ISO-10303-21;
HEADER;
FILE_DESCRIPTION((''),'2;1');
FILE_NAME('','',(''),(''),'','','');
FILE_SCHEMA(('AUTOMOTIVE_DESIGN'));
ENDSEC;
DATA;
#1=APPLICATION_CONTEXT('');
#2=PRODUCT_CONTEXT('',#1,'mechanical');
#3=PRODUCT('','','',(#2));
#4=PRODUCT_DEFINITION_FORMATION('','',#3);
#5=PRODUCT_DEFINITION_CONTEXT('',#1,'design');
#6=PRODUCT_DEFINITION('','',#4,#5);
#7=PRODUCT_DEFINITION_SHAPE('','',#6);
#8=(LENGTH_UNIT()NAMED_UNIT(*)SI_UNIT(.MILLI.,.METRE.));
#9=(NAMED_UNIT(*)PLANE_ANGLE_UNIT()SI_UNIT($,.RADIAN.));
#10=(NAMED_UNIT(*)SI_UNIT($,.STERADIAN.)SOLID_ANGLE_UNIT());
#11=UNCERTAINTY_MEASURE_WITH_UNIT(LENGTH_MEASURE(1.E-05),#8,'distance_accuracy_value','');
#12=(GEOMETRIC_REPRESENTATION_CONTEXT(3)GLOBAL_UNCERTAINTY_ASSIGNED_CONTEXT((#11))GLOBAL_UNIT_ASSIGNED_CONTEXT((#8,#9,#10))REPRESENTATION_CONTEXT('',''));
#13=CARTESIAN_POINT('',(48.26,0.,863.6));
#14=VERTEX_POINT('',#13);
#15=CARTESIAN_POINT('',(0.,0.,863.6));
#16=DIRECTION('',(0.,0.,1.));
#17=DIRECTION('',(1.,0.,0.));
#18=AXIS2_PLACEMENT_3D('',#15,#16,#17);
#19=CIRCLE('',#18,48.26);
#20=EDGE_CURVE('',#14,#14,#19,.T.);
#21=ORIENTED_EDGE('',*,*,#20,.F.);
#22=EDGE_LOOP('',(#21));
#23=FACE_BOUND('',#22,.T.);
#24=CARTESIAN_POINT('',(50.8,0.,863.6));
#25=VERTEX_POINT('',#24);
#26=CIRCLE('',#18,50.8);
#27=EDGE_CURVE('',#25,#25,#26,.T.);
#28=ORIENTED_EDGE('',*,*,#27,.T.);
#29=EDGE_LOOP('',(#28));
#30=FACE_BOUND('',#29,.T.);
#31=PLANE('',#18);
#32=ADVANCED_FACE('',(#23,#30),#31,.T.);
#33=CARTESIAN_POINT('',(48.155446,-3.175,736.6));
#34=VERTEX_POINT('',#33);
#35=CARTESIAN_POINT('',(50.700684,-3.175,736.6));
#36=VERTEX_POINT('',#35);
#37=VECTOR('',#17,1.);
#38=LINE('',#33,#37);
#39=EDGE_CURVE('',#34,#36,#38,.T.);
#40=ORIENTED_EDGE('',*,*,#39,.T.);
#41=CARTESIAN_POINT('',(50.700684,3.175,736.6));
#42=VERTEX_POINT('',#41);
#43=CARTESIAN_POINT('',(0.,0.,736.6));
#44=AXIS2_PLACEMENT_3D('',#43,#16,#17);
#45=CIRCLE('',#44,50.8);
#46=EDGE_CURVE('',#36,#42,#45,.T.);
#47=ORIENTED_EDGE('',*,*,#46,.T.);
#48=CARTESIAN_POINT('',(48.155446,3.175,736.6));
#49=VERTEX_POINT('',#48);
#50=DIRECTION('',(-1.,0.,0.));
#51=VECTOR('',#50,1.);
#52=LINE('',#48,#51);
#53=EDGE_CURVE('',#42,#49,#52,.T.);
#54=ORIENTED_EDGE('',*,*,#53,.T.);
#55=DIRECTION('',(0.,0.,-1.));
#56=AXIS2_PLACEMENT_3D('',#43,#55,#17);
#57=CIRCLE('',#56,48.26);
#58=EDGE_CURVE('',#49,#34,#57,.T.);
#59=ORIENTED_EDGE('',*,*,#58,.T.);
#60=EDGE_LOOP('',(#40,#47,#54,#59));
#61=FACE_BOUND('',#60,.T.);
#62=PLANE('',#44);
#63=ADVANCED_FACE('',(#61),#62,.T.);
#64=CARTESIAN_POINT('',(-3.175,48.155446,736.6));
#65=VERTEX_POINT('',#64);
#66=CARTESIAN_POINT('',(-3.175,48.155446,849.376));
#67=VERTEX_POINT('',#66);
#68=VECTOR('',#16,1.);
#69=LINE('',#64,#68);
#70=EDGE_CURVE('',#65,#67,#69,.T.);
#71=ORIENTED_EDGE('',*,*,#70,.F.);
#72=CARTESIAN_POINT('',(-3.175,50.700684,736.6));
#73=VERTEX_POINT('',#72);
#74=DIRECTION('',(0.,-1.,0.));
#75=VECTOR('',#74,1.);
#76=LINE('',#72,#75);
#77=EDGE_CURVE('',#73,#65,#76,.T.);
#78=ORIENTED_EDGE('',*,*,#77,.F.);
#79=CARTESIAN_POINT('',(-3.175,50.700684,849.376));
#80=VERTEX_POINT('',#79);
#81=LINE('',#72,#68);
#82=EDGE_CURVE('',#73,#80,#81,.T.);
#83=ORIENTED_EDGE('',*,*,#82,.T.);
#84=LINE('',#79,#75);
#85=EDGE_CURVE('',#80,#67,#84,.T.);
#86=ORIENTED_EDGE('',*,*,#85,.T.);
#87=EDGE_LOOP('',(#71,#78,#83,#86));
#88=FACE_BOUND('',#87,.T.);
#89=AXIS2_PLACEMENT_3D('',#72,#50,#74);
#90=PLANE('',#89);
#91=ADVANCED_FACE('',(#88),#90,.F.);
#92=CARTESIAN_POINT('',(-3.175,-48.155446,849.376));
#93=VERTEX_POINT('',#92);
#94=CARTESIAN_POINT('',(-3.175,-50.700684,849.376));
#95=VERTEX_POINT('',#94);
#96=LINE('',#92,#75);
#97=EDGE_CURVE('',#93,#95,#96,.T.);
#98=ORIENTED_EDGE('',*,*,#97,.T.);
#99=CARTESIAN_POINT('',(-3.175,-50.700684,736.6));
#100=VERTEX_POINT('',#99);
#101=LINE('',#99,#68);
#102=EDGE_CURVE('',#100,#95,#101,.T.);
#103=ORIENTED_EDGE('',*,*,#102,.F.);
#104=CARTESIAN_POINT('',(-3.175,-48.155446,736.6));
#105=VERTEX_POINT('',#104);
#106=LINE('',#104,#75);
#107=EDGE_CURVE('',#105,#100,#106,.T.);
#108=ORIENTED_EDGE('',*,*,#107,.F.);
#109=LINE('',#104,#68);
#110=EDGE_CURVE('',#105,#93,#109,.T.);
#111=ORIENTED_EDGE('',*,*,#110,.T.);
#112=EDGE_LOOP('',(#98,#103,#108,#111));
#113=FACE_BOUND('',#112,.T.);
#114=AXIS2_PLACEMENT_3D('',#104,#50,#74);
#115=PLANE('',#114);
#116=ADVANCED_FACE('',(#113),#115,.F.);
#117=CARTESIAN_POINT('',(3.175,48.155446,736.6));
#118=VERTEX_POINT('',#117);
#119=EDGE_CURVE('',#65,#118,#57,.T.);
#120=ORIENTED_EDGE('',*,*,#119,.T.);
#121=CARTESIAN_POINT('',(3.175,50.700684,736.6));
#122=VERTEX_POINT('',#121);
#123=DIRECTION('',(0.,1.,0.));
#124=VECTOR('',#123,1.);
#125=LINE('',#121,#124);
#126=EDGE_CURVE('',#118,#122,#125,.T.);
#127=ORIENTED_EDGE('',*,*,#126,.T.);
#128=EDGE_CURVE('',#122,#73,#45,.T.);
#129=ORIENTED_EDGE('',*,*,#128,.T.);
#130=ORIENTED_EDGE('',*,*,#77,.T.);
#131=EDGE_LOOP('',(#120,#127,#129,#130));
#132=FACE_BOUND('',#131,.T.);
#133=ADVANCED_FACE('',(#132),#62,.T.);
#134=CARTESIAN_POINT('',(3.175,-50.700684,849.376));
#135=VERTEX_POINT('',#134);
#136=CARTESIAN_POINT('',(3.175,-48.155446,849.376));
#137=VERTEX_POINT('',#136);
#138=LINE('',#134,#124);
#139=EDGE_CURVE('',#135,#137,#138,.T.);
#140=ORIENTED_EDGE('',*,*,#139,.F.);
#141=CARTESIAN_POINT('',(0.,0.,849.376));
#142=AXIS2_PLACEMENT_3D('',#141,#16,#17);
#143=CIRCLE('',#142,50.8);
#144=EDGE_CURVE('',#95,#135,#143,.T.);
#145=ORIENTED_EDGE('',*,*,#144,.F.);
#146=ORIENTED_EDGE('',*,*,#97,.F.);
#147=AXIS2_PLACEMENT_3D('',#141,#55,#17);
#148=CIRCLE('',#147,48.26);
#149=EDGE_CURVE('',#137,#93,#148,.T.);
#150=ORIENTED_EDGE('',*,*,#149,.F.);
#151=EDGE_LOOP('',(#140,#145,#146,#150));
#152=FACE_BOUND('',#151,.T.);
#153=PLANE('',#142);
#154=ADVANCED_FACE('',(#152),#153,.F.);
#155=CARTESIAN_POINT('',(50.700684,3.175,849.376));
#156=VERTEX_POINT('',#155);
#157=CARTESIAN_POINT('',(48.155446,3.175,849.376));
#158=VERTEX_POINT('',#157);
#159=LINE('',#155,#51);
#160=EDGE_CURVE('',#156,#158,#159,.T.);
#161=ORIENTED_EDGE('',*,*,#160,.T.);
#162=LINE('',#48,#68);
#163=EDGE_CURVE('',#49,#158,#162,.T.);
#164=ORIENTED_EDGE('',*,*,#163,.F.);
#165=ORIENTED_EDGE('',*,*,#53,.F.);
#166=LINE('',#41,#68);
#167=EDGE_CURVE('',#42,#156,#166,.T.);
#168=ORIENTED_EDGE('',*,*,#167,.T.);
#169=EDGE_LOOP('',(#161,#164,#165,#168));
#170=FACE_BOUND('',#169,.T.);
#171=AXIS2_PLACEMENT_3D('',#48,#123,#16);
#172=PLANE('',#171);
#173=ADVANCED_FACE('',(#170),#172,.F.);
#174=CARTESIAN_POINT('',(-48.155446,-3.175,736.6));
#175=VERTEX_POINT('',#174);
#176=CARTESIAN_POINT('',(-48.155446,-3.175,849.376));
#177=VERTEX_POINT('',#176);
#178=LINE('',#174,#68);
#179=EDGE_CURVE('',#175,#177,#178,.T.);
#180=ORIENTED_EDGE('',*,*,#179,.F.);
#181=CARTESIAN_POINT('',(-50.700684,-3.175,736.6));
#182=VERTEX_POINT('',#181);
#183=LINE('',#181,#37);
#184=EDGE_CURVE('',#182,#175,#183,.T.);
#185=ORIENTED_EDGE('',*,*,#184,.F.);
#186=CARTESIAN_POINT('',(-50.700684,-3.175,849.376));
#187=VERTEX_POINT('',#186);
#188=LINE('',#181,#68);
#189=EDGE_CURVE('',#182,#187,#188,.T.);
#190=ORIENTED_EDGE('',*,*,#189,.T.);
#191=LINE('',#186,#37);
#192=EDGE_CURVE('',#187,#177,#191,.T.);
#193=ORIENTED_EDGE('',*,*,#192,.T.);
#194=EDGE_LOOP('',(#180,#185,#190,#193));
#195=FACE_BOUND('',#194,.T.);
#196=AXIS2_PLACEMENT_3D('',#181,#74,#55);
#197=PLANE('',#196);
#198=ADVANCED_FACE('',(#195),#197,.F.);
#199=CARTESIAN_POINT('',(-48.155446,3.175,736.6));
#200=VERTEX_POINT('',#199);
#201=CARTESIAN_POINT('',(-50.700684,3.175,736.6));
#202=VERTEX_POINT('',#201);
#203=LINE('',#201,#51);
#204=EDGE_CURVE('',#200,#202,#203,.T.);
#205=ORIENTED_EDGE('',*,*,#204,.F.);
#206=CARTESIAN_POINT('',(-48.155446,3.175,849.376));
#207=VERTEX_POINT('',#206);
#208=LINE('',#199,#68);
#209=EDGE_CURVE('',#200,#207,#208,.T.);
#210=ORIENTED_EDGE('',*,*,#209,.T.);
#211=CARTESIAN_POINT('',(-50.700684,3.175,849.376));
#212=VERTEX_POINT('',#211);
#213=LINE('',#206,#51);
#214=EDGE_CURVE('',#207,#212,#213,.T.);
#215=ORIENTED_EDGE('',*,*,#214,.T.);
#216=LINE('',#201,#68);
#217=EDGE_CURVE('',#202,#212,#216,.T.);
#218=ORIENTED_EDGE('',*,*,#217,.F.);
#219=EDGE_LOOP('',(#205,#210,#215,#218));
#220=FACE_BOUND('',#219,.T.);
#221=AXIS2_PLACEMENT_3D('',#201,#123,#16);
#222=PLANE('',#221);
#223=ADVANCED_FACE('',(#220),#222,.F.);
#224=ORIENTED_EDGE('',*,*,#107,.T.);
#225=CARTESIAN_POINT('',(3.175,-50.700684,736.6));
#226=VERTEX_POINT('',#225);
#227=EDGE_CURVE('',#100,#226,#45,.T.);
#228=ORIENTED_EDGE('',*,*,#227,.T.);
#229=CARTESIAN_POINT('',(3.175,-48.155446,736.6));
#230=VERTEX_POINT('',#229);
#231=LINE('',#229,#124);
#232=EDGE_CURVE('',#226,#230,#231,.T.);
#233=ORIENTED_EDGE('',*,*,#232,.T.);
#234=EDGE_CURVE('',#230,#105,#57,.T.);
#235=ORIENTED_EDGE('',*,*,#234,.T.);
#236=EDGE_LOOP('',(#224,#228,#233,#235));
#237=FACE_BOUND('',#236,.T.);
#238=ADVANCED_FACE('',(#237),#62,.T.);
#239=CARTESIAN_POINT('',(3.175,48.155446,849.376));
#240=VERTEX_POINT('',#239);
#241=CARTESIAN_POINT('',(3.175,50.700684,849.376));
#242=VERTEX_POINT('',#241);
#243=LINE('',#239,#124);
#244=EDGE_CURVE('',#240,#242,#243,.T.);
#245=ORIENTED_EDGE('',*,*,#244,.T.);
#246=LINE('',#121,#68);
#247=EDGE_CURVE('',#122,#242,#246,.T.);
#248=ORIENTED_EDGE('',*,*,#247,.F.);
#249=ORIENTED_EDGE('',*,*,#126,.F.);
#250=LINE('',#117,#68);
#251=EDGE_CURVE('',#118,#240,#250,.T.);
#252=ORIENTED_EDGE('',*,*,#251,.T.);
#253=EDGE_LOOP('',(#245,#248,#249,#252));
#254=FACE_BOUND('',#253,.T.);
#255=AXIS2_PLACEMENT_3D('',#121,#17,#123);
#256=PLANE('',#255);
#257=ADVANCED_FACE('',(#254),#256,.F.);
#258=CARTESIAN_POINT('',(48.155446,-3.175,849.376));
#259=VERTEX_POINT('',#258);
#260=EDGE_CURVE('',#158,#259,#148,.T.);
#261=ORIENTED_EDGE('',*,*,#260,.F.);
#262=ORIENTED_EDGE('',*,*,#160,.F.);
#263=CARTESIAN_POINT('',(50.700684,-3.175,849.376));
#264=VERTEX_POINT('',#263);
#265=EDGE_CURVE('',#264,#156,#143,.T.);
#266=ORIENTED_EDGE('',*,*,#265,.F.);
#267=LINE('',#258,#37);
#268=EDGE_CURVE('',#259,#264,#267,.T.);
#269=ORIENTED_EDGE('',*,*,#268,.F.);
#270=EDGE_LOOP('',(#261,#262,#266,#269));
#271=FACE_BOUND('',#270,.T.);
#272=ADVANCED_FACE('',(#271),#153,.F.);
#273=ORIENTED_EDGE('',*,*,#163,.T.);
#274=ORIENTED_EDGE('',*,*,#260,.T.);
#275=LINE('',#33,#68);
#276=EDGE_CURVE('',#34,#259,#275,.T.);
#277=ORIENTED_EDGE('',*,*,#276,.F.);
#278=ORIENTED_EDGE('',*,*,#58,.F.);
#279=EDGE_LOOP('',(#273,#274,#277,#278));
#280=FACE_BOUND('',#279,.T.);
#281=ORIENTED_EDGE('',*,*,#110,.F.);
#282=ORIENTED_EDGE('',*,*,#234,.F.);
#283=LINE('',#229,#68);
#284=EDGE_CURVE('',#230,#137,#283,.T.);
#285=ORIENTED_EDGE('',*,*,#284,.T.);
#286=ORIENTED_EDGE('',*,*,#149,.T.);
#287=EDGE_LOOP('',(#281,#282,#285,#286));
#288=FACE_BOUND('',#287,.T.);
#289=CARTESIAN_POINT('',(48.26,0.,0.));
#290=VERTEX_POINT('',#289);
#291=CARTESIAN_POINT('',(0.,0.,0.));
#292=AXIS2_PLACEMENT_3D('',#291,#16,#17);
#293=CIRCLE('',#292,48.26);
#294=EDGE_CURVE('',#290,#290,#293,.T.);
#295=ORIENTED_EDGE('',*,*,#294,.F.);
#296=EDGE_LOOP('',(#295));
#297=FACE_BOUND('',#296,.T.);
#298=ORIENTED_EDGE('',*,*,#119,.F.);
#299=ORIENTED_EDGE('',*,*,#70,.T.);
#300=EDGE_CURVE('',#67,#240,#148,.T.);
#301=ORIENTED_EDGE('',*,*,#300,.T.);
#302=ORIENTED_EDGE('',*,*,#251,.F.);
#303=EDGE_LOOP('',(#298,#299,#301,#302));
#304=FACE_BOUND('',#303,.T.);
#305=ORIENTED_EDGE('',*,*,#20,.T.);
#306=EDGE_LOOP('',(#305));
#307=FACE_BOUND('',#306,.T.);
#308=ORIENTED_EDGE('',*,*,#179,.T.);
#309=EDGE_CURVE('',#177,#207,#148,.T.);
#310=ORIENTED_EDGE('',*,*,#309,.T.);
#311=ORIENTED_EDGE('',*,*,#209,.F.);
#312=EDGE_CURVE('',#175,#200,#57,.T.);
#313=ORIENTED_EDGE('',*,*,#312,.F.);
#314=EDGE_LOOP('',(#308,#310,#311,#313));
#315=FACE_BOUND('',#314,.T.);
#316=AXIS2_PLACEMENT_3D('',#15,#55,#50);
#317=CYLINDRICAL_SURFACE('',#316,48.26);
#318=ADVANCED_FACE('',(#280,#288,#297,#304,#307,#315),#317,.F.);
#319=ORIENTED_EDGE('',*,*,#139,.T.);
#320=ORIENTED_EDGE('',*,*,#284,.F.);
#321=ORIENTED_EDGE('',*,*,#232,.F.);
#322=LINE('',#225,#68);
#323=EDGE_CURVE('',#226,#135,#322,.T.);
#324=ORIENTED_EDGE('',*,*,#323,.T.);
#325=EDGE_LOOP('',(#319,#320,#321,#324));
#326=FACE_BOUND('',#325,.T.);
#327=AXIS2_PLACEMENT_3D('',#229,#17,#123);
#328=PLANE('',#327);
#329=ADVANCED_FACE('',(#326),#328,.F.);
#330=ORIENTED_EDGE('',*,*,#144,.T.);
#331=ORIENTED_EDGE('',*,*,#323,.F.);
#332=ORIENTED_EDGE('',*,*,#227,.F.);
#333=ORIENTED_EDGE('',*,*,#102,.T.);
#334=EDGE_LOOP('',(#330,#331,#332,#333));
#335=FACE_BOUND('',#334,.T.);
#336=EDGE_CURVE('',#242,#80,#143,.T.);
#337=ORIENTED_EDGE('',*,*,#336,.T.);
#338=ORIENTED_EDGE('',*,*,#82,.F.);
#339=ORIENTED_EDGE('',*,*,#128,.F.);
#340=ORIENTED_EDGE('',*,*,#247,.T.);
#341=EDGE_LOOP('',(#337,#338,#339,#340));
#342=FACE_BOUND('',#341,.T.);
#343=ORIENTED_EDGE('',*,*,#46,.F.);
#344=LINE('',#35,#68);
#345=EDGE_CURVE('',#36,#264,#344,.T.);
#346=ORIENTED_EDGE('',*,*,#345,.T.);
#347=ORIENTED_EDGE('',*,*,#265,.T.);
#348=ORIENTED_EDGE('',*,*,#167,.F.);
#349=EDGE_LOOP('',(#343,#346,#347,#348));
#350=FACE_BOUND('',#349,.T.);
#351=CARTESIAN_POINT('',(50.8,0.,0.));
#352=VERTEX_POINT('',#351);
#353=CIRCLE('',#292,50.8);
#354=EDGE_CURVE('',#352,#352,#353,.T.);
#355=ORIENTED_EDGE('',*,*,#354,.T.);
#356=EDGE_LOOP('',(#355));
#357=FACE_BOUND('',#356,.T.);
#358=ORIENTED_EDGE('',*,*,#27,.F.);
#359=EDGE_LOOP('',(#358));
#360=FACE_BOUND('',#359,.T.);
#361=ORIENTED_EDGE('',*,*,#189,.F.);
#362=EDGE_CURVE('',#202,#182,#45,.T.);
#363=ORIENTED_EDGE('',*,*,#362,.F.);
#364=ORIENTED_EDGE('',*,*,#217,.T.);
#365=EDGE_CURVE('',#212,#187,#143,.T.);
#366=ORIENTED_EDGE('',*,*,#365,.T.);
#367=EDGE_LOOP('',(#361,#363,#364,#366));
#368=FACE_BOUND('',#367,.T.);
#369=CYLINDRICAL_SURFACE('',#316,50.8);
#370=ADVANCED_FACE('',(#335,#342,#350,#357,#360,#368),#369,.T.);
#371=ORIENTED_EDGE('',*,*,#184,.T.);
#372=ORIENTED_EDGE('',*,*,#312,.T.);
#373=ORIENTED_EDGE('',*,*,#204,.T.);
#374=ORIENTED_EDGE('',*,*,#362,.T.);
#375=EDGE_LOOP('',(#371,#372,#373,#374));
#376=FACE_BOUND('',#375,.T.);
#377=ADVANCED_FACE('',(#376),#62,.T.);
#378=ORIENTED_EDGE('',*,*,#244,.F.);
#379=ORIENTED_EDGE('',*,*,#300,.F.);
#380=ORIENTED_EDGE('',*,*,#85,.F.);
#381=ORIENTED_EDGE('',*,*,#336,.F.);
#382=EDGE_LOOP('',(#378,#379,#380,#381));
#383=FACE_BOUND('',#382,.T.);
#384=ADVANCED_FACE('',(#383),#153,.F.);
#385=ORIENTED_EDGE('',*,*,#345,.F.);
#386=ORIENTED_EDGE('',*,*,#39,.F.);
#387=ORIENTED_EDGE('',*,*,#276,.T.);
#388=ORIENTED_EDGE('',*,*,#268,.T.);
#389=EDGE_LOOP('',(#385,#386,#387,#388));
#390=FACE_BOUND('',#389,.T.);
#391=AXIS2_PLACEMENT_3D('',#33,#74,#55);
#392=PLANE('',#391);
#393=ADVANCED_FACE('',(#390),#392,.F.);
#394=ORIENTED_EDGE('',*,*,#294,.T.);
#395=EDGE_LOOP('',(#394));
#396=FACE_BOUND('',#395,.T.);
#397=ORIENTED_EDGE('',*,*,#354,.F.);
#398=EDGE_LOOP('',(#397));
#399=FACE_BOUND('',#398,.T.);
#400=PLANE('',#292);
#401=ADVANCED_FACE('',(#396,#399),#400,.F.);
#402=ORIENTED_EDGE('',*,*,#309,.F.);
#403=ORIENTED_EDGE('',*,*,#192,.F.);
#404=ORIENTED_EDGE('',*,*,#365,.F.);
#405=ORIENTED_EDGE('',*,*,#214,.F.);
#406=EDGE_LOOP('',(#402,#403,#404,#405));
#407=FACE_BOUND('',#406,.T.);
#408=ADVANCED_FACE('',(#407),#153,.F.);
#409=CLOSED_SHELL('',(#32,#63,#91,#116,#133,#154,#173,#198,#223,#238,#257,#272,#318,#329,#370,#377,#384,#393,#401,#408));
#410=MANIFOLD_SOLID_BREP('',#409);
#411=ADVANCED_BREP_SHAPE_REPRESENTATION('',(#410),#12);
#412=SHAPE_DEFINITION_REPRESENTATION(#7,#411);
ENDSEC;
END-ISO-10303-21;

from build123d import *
from build123d.topology import SkipClean

# Parameters (mm, degrees)
SKETCH1_R           = 50.8
SKETCH1_R_2         = 48.26
BOSS_EXTRUDE1_DEPTH = 863.6
CUT_EXTRUDE1_START  = -127
CUT_EXTRUDE1_DEPTH  = 127
BOSS_EXTRUDE2_START = -14.224
BOSS_EXTRUDE2_DEPTH = 14.224


with BuildPart() as part:
    # Sketch1 → Boss-Extrude1 (new body)
    with BuildSketch(Plane.XY):
        Circle(SKETCH1_R)
        Circle(SKETCH1_R_2, mode=Mode.SUBTRACT)
    extrude(amount=BOSS_EXTRUDE1_DEPTH)

    # Sketch2 → Cut-Extrude1 (cut)
    with BuildSketch(Plane.XY.offset(863.6).offset(CUT_EXTRUDE1_START)):
        with BuildLine():
            Line((-3.175, 50.700684167), (-3.175, 48.155445954))
            ThreePointArc((-3.175, 48.155445954), (0, 48.26), (3.175, 48.155445954))
            Line((3.175, 48.155445954), (3.175, 50.700684167))
            ThreePointArc((3.175, 50.700684167), (0, 50.8), (-3.175, 50.700684167))
        make_face()
        with BuildLine():
            Line((-50.700684167, 3.175), (-48.155445954, 3.175))
            ThreePointArc((-48.155445954, 3.175), (-48.26, 0), (-48.155445954, -3.175))
            Line((-48.155445954, -3.175), (-50.700684167, -3.175))
            ThreePointArc((-50.700684167, -3.175), (-50.8, 0), (-50.700684167, 3.175))
        make_face()
        with BuildLine():
            Line((48.155445954, 3.175), (50.700684167, 3.175))
            ThreePointArc((50.700684167, 3.175), (50.8, 0), (50.700684167, -3.175))
            Line((50.700684167, -3.175), (48.155445954, -3.175))
            ThreePointArc((48.155445954, -3.175), (48.26, 0), (48.155445954, 3.175))
        make_face()
        with BuildLine():
            Line((3.175, -48.155445954), (3.175, -50.700684167))
            ThreePointArc((3.175, -50.700684167), (0, -50.8), (-3.175, -50.700684167))
            Line((-3.175, -50.700684167), (-3.175, -48.155445954))
            ThreePointArc((-3.175, -48.155445954), (0, -48.26), (3.175, -48.155445954))
        make_face()
    extrude(amount=CUT_EXTRUDE1_DEPTH, mode=Mode.SUBTRACT)

    # Sketch4 → Boss-Extrude2 (add)
    with SkipClean():  # the faces are left unmerged after this step: merging them gives an invalid solid
        with BuildSketch(Plane.XY.offset(863.6).offset(BOSS_EXTRUDE2_START)):
            with BuildLine():
                Line((-3.175, 50.700684167), (-3.175, 48.155445954))
                ThreePointArc((-3.175, 48.155445954), (0, 48.26), (3.175, 48.155445954))
                Line((3.175, 48.155445954), (3.175, 50.700684167))
                ThreePointArc((3.175, 50.700684167), (0, 50.8), (-3.175, 50.700684167))
            make_face()
            with BuildLine():
                Line((50.700684167, 3.175), (48.155445954, 3.175))
                ThreePointArc((48.155445954, 3.175), (48.26, 0), (48.155445954, -3.175))
                Line((48.155445954, -3.175), (50.700684167, -3.175))
                ThreePointArc((50.700684167, -3.175), (50.8, 0), (50.700684167, 3.175))
            make_face()
            with BuildLine():
                Line((3.175, -50.700684167), (3.175, -48.155445954))
                ThreePointArc((3.175, -48.155445954), (0, -48.26), (-3.175, -48.155445954))
                Line((-3.175, -48.155445954), (-3.175, -50.700684167))
                ThreePointArc((-3.175, -50.700684167), (0, -50.8), (3.175, -50.700684167))
            make_face()
            with BuildLine():
                Line((-48.155445954, 3.175), (-50.700684167, 3.175))
                ThreePointArc((-50.700684167, 3.175), (-50.8, 0), (-50.700684167, -3.175))
                Line((-50.700684167, -3.175), (-48.155445954, -3.175))
                ThreePointArc((-48.155445954, -3.175), (-48.26, 0), (-48.155445954, 3.175))
            make_face()
        extrude(amount=BOSS_EXTRUDE2_DEPTH)


solid = part.part
